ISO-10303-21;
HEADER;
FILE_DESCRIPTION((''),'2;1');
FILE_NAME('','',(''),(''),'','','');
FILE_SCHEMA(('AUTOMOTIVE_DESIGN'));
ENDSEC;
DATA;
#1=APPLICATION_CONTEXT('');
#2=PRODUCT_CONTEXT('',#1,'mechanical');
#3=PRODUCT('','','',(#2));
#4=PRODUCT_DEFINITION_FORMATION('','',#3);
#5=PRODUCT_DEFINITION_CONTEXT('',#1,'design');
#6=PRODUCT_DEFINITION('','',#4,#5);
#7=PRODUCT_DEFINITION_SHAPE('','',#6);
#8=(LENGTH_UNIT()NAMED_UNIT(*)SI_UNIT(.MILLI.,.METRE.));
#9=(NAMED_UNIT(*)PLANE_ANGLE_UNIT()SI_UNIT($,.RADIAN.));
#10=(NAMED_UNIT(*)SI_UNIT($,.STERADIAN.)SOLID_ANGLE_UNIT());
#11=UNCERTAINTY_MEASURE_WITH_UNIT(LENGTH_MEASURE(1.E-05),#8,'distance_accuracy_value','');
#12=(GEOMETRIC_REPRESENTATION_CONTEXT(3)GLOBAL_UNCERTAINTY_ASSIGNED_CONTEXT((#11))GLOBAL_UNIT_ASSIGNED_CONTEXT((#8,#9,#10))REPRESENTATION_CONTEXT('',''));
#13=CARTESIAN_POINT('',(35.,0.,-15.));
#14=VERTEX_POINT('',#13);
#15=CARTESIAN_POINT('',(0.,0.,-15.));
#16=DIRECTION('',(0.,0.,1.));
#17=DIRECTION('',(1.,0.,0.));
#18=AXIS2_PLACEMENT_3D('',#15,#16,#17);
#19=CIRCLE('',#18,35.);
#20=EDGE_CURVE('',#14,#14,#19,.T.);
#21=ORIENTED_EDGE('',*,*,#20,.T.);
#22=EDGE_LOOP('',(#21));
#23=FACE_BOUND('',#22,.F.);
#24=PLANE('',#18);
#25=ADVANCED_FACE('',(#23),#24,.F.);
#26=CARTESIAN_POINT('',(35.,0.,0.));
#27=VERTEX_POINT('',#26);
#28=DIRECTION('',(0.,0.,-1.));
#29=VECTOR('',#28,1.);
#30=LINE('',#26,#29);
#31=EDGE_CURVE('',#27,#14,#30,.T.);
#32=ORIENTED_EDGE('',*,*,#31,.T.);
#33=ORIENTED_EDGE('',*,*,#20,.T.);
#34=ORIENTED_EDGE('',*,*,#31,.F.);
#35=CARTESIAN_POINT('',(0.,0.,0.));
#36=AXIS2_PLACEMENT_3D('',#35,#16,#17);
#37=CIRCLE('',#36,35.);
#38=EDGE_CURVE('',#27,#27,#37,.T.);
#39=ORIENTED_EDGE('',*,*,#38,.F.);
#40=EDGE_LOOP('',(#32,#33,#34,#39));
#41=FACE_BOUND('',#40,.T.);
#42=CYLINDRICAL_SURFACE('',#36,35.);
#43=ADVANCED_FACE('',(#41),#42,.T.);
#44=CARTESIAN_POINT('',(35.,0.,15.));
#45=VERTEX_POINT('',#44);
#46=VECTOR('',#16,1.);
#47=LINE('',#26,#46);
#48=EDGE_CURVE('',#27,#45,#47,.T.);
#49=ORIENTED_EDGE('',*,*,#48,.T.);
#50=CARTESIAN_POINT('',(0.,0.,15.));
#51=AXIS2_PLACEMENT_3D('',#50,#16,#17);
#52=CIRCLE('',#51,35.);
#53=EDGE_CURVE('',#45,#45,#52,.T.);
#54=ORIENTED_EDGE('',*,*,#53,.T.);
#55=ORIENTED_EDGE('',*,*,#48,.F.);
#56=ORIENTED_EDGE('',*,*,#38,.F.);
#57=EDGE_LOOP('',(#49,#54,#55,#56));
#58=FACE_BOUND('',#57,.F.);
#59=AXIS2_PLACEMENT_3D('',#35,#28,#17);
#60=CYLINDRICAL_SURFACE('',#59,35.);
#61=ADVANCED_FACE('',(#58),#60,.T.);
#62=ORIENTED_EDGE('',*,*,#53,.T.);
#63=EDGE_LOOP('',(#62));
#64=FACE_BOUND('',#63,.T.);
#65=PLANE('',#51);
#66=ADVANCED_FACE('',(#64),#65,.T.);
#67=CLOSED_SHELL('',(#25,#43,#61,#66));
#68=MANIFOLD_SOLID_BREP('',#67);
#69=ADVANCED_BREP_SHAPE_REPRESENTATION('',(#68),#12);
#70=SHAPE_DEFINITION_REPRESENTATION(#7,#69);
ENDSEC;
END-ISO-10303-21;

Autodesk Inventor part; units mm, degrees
ref_plane "YZ Plane" through (0, 0, 0) normal (1, 0, 0) x (0, 1, 0)
ref_plane "XZ Plane" through (0, 0, 0) normal (0, 1, 0) x (-1, 0, 0)
ref_plane "XY Plane" through (0, 0, 0) normal (0, 0, 1) x (1, 0, 0)
sketch "Boceto1" plane through (0, 0, 0) normal (0, 0, 1) x (1, 0, 0)
  circle A0 centre (0, 0) radius 35
  dimension "d0" = 70
extrude "Extrusión1" add sketch "Boceto1" along normal mid plane 30
properties part number "llantas"
